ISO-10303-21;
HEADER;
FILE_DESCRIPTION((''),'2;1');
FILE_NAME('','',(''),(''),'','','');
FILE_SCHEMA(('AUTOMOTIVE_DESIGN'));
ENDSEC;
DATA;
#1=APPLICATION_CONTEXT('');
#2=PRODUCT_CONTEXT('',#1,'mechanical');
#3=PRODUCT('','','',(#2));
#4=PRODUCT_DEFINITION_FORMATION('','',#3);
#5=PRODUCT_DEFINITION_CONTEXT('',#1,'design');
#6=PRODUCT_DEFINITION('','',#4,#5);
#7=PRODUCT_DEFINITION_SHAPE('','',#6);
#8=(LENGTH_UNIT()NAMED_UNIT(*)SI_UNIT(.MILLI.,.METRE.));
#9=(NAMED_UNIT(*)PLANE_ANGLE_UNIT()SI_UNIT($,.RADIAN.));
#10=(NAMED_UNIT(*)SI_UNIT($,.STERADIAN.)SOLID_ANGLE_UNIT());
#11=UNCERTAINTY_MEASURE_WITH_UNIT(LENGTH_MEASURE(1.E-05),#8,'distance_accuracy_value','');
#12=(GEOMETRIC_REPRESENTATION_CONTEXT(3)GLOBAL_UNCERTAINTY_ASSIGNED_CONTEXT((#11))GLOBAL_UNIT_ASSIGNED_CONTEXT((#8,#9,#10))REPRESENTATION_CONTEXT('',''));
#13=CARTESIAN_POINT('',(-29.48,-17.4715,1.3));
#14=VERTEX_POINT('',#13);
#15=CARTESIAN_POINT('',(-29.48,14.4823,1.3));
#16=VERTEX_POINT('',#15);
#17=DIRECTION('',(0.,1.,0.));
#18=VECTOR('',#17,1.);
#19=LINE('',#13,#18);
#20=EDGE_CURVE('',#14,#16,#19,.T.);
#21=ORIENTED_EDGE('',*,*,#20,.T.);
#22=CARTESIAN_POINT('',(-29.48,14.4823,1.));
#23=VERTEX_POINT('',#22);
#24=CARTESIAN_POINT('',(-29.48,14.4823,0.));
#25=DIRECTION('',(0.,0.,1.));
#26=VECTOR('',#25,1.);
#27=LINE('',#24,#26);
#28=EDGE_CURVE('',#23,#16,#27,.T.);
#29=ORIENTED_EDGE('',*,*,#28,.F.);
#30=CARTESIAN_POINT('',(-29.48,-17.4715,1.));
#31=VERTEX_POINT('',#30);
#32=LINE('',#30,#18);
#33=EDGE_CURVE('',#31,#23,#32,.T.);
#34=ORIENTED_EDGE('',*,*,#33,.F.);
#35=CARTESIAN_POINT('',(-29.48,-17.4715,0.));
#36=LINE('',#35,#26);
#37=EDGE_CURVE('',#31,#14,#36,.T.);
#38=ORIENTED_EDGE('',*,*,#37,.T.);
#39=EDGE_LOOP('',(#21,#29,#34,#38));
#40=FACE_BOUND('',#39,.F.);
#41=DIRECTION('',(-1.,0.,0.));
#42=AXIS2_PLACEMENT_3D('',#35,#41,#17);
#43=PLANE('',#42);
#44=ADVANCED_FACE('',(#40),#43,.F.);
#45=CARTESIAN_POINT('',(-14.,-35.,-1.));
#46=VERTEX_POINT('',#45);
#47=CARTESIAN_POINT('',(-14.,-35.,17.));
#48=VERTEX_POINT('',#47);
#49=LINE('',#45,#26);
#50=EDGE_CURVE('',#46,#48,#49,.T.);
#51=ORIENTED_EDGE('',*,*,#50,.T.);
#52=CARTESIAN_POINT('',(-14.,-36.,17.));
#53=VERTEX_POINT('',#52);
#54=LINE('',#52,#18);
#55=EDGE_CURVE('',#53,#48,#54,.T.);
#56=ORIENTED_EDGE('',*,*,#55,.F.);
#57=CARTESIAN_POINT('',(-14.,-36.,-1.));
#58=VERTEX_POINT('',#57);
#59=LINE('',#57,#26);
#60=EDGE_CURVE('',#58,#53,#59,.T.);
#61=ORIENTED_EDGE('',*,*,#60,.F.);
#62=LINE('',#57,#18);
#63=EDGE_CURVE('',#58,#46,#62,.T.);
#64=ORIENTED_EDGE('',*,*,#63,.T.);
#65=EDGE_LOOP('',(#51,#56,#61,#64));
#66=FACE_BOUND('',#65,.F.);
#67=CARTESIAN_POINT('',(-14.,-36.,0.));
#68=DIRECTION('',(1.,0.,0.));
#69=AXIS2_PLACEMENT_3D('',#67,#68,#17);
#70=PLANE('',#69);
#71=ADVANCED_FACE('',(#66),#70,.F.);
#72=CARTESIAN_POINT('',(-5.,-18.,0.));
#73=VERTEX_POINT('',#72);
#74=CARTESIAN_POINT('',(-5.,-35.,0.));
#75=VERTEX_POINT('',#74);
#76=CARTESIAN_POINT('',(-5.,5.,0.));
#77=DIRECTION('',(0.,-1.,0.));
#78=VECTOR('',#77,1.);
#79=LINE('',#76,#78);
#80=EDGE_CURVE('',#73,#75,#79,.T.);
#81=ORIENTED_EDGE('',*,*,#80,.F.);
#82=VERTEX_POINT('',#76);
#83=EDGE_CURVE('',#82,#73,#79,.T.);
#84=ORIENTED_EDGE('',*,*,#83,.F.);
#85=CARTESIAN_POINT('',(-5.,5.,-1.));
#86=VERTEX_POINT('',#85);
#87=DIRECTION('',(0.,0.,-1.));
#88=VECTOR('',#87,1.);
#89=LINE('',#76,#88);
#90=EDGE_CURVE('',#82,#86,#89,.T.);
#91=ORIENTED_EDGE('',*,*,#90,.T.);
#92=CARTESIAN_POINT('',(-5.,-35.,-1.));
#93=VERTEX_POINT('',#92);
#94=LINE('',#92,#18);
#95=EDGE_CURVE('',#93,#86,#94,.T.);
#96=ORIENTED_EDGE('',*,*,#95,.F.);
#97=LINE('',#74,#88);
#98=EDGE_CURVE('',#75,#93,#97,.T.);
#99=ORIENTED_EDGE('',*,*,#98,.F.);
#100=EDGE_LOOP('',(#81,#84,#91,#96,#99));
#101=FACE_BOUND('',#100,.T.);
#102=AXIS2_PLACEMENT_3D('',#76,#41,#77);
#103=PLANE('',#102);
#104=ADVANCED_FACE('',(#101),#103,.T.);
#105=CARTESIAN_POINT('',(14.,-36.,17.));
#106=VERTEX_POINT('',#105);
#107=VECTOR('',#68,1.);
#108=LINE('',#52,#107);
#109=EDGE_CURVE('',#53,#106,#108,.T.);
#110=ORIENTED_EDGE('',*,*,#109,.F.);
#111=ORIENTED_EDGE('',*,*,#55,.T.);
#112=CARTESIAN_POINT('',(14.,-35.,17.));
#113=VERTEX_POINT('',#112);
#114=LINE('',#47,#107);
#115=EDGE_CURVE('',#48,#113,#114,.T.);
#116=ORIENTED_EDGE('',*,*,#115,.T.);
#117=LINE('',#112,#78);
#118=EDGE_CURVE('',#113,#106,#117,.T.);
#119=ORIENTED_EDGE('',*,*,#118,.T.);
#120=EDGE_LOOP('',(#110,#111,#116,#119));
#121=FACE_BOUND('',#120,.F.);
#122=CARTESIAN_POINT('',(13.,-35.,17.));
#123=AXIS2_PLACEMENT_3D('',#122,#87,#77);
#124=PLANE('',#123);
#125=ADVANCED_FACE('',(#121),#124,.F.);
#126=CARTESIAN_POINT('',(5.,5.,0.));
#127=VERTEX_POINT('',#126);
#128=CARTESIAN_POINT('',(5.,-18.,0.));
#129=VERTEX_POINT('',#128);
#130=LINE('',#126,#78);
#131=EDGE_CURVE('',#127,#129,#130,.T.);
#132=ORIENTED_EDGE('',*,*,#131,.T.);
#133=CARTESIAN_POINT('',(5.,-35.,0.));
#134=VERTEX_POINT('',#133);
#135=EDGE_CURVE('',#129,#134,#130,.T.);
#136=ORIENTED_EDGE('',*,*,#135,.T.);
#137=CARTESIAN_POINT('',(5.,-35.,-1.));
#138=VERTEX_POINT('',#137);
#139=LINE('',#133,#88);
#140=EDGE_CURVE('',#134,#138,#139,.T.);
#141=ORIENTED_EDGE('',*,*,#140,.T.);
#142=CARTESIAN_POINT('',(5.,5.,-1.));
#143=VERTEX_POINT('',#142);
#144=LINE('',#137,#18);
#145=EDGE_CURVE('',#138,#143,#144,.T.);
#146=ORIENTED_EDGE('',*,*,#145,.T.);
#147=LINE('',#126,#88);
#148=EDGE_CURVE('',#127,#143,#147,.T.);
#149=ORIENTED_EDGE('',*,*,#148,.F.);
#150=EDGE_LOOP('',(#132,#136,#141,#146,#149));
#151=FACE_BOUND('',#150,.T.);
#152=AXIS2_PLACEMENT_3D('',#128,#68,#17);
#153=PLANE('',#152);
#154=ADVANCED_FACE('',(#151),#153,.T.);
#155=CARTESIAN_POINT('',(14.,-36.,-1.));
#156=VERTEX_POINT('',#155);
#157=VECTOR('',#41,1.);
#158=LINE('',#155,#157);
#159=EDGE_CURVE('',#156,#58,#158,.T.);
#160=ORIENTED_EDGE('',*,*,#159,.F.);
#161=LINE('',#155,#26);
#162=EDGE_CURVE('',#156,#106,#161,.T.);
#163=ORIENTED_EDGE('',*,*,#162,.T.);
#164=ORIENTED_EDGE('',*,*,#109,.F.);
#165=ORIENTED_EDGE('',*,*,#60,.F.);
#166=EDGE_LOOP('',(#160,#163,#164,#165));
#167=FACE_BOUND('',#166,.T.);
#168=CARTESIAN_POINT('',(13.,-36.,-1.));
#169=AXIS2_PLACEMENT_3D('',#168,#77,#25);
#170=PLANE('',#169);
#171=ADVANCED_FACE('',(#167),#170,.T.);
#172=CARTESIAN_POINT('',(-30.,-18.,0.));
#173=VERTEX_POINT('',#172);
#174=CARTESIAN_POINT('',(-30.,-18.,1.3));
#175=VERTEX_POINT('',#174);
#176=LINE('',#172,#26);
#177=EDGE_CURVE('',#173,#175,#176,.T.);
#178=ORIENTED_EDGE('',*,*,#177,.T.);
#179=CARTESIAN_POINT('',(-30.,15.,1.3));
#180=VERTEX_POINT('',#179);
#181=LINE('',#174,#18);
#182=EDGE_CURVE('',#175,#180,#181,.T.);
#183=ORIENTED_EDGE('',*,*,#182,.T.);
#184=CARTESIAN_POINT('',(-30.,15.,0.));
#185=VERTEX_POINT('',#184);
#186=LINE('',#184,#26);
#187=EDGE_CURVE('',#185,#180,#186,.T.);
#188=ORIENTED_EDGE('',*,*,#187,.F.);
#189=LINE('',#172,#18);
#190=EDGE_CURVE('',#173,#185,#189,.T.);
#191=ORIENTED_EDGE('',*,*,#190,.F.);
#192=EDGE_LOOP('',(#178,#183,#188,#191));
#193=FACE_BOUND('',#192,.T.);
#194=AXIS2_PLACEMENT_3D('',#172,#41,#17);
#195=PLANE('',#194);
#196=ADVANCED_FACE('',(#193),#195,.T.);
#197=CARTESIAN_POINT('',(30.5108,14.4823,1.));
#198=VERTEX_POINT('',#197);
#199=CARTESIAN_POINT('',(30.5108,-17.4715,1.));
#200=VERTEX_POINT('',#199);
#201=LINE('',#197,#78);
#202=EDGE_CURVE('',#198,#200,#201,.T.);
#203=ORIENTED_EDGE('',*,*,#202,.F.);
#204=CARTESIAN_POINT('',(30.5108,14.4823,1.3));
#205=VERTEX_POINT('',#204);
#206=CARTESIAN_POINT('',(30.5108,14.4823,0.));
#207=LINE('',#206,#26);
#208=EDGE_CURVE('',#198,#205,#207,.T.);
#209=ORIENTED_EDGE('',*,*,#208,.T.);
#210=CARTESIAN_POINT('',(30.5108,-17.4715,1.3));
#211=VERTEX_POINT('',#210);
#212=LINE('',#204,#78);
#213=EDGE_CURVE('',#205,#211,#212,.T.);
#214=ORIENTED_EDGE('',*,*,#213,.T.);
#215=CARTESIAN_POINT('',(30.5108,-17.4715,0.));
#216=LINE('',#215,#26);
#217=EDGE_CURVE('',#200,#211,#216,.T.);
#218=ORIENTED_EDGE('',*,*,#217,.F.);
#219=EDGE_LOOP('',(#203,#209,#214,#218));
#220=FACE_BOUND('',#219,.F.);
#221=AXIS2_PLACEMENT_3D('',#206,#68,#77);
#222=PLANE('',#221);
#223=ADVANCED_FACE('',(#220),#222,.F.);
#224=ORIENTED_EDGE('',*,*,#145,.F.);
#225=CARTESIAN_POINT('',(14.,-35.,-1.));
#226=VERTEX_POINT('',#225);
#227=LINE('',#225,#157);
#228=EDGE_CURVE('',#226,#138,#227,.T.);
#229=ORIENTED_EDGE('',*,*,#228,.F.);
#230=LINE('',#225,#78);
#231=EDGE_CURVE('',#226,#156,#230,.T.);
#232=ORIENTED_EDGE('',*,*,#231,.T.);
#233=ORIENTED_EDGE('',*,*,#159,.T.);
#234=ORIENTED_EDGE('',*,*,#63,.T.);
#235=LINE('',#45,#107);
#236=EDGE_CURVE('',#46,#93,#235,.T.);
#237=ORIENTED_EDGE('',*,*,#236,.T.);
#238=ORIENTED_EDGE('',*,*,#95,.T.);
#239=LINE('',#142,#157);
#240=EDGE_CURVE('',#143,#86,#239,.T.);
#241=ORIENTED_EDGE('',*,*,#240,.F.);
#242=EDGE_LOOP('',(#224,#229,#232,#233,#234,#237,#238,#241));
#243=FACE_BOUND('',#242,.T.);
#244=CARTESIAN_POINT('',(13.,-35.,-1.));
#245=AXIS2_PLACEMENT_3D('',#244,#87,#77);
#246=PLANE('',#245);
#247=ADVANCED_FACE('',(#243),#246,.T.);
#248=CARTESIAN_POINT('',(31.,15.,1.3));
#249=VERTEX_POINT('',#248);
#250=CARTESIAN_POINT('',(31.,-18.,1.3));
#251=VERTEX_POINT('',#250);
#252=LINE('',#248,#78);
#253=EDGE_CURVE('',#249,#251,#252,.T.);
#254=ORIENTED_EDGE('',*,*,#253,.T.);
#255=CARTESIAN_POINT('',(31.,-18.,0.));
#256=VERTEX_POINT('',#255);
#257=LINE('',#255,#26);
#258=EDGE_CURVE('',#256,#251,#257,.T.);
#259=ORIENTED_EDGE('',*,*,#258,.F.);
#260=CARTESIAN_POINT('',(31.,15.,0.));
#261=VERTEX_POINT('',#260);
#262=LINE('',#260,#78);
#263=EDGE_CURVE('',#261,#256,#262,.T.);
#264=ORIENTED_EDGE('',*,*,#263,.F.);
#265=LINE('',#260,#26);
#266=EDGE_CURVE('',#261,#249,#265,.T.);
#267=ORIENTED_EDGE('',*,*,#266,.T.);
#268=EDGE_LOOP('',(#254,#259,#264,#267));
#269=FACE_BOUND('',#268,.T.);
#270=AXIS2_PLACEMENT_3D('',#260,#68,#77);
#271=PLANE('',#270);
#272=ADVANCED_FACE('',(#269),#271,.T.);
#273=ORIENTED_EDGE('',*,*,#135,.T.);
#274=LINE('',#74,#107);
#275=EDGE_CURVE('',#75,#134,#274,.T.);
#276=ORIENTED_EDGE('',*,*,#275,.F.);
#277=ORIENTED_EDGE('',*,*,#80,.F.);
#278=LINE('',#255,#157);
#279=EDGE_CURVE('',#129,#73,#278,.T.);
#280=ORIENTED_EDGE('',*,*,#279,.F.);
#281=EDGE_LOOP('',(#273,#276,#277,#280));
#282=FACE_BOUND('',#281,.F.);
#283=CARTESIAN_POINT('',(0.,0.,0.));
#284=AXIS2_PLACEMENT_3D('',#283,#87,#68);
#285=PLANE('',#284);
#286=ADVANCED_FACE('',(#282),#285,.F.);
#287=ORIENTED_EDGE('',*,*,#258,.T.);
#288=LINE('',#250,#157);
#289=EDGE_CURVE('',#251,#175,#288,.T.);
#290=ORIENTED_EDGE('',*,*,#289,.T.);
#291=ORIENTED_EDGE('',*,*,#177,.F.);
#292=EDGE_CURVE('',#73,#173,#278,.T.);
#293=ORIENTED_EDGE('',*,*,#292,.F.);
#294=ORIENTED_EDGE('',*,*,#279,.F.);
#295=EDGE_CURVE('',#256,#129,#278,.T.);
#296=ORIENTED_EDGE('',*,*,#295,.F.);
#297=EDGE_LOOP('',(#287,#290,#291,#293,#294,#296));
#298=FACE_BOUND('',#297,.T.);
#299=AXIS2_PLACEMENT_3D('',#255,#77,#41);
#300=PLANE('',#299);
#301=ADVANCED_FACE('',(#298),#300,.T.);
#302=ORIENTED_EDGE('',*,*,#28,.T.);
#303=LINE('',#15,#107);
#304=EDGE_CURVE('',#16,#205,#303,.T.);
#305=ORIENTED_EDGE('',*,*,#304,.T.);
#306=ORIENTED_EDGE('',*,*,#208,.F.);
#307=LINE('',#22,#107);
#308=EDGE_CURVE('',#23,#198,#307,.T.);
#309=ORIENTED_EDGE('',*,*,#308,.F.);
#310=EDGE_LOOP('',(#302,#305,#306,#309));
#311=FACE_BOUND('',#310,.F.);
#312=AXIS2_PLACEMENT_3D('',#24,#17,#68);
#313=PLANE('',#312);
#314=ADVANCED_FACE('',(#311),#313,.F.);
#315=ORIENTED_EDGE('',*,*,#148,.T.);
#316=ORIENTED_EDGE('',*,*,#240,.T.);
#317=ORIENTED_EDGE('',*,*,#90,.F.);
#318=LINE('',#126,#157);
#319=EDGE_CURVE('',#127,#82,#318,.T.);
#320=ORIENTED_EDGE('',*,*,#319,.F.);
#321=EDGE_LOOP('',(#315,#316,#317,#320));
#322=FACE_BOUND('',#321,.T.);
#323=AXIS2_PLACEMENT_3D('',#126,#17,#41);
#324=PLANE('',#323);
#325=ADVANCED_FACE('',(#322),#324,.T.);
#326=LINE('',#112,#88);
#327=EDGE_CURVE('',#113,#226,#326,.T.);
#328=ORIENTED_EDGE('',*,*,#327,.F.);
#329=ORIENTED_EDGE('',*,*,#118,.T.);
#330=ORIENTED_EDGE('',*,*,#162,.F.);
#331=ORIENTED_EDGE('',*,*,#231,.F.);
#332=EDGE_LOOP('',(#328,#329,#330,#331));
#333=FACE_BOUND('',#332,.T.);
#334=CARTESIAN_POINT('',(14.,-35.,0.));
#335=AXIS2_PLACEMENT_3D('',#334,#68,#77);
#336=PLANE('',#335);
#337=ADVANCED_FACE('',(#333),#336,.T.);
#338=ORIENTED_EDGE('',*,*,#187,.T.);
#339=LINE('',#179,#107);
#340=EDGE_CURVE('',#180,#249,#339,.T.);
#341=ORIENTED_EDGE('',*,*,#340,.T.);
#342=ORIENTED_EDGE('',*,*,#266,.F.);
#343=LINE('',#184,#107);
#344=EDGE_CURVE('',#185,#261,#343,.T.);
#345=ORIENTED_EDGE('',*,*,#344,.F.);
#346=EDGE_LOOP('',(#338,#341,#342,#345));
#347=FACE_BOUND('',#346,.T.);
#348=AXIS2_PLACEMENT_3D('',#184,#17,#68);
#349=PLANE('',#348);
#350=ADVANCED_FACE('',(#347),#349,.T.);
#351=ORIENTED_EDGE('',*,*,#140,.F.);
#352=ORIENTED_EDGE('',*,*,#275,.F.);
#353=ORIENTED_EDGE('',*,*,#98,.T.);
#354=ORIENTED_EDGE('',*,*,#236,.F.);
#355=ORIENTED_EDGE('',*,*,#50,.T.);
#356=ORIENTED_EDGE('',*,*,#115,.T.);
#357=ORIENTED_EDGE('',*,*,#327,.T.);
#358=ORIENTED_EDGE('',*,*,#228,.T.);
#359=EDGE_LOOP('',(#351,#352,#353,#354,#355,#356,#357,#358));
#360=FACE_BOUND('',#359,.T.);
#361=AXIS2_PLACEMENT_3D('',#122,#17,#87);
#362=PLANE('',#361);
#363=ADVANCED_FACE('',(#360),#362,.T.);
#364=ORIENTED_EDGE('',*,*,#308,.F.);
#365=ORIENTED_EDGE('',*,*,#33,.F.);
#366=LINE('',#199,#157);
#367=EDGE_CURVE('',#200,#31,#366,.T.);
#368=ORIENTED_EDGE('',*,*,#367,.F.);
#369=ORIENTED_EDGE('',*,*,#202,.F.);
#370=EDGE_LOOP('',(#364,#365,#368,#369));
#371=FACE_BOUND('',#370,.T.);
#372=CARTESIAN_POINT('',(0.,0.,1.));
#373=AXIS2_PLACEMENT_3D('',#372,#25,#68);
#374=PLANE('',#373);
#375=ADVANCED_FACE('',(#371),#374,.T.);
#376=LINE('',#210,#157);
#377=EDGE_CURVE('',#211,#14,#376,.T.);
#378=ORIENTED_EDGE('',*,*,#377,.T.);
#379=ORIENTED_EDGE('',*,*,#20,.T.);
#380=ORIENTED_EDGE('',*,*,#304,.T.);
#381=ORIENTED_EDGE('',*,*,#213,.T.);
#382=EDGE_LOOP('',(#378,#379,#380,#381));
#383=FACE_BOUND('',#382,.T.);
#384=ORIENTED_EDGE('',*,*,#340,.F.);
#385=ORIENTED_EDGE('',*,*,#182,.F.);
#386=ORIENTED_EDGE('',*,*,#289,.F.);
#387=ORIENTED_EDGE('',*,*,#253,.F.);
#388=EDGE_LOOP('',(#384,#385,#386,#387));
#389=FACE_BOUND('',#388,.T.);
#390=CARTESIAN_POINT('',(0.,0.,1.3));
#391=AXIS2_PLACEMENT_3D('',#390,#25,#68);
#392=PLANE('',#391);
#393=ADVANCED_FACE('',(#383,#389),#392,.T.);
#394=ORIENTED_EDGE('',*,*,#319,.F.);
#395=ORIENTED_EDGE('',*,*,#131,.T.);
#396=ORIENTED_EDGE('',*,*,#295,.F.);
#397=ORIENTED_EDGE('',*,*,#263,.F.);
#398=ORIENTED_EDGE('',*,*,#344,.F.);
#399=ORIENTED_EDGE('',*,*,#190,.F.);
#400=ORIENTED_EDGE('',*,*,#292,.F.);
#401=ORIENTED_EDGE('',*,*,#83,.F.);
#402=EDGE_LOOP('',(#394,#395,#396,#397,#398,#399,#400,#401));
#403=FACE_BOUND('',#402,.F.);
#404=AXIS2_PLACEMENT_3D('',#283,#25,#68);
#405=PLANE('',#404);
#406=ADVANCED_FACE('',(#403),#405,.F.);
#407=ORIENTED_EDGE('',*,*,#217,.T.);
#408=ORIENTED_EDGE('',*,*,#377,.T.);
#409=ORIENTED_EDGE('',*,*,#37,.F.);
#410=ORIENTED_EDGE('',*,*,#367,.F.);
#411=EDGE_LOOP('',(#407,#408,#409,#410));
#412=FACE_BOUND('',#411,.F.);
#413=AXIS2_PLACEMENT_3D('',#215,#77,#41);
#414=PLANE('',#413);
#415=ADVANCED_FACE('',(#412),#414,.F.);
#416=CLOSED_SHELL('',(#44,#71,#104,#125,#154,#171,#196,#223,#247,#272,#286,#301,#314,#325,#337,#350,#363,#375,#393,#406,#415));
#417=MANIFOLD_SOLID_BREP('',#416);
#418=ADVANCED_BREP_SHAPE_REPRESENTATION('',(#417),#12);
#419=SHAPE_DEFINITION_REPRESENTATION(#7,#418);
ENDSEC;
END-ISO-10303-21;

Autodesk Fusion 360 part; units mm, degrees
sketch "Sketch1" plane through (0, 0, 0) normal (0, 0, 1) x (1, 0, 0)
  line L0 (-30, 15) -> (31, 15)
  line L1 (31, 15) -> (31, -18)
  line L2 (31, -18) -> (-30, -18)
  line L3 (-30, -18) -> (-30, 15)
  line L4 (-29.48, 14.4823) -> (30.5108, 14.4823)
  line L5 (30.5108, 14.4823) -> (30.5108, -17.4715)
  line L6 (30.5108, -17.4715) -> (-29.48, -17.4715)
  line L7 (-29.48, -17.4715) -> (-29.48, 14.4823)
extrude "Extrude1" add sketch "Sketch1" along normal blind 1.3
sketch "Sketch2" plane through (0, 0, 0) normal (0, 0, 1) x (1, 0, 0)
  line L0 (30.5108, -17.4715) -> (-29.48, -17.4715)
  line L1 (-29.48, -17.4715) -> (-29.48, 14.4823)
  line L2 (-29.48, 14.4823) -> (30.5108, 14.4823)
  line L3 (30.5108, 14.4823) -> (30.5108, -17.4715)
  point P0 (30.5108, -17.4715)
  point P1 (-29.48, 14.4823)
extrude "Extrude2" add sketch "Sketch2" along normal blind 1
sketch "Sketch3" plane through (0, 0, 0) normal (0, 0, -1) x (1, 0, 0)
  line L0 (31, 18) -> (-30, 18)
  line L1 (-30, 18) -> (-30, -15)
  line L2 (-30, -15) -> (31, -15)
  line L3 (31, -15) -> (31, 18)
  line L4 (5, -5) -> (-5, -5)
  line L5 (-5, -5) -> (-5, 35)
  line L6 (-5, 35) -> (5, 35)
  line L7 (5, 35) -> (5, -5)
extrude "Extrude3" add sketch "Sketch3" along normal blind 1 contours L0 L4 L5 L7 | L0 L5 L6 L7
sketch "Sketch4" plane through (0, 0, 0) normal (0, 0, -1) x (1, 0, 0)
  line L0 (-5, -5) -> (-5, 18)
  line L1 (-5, 18) -> (-30, 18)
  line L2 (-30, 18) -> (-30, -15)
  line L3 (-30, -15) -> (31, -15)
  line L4 (31, -15) -> (31, 18)
  line L5 (31, 18) -> (5, 18)
  line L6 (5, 18) -> (5, -5)
  line L7 (5, -5) -> (-5, -5)
sketch "Sketch5" plane through (0, 0, 0) normal (0, 1, 0) x (1, 0, 0)
sketch "Sketch6" plane through (0, 0, 1) normal (0, 0, 1) x (-1, 0, 0)
  line L0 (-30.5108, -14.4823) -> (29.48, -14.4823)
  line L1 (29.48, -14.4823) -> (29.48, 17.4715)
  line L2 (29.48, 17.4715) -> (-30.5108, 17.4715)
  line L3 (-30.5108, 17.4715) -> (-30.5108, -14.4823)
  line L4 (20, 11) -> (-20, 11) construction
  line L5 (-20, 11) -> (-20, -10) construction
  line L6 (-20, -10) -> (20, -10) construction
  line L7 (20, -10) -> (20, 11) construction
  dimension "d7" = 5
sketch "Sketch7" plane through (0, 0, 0) normal (1, 0, 0) x (0, 1, 0)
sketch "Sketch8" plane through (0, 0, 0) normal (0, 0, 1) x (1, 0, 0)
  line L0 (-14, -35) -> (13, -35)
  line L1 (13, -35) -> (13, -36)
  line L2 (13, -36) -> (-14, -36)
  line L3 (-14, -36) -> (-14, -35)
extrude "Extrude4" add sketch "Sketch8" along normal blind 17
extrude "Extrude5" add 1 faces at (-2, -35.6667, 0) along direction (0, 0, -1) blind 1
extrude "Extrude6" add 1 faces at (13, -35.3333, 11) along direction (1, 0, 0) blind 1
